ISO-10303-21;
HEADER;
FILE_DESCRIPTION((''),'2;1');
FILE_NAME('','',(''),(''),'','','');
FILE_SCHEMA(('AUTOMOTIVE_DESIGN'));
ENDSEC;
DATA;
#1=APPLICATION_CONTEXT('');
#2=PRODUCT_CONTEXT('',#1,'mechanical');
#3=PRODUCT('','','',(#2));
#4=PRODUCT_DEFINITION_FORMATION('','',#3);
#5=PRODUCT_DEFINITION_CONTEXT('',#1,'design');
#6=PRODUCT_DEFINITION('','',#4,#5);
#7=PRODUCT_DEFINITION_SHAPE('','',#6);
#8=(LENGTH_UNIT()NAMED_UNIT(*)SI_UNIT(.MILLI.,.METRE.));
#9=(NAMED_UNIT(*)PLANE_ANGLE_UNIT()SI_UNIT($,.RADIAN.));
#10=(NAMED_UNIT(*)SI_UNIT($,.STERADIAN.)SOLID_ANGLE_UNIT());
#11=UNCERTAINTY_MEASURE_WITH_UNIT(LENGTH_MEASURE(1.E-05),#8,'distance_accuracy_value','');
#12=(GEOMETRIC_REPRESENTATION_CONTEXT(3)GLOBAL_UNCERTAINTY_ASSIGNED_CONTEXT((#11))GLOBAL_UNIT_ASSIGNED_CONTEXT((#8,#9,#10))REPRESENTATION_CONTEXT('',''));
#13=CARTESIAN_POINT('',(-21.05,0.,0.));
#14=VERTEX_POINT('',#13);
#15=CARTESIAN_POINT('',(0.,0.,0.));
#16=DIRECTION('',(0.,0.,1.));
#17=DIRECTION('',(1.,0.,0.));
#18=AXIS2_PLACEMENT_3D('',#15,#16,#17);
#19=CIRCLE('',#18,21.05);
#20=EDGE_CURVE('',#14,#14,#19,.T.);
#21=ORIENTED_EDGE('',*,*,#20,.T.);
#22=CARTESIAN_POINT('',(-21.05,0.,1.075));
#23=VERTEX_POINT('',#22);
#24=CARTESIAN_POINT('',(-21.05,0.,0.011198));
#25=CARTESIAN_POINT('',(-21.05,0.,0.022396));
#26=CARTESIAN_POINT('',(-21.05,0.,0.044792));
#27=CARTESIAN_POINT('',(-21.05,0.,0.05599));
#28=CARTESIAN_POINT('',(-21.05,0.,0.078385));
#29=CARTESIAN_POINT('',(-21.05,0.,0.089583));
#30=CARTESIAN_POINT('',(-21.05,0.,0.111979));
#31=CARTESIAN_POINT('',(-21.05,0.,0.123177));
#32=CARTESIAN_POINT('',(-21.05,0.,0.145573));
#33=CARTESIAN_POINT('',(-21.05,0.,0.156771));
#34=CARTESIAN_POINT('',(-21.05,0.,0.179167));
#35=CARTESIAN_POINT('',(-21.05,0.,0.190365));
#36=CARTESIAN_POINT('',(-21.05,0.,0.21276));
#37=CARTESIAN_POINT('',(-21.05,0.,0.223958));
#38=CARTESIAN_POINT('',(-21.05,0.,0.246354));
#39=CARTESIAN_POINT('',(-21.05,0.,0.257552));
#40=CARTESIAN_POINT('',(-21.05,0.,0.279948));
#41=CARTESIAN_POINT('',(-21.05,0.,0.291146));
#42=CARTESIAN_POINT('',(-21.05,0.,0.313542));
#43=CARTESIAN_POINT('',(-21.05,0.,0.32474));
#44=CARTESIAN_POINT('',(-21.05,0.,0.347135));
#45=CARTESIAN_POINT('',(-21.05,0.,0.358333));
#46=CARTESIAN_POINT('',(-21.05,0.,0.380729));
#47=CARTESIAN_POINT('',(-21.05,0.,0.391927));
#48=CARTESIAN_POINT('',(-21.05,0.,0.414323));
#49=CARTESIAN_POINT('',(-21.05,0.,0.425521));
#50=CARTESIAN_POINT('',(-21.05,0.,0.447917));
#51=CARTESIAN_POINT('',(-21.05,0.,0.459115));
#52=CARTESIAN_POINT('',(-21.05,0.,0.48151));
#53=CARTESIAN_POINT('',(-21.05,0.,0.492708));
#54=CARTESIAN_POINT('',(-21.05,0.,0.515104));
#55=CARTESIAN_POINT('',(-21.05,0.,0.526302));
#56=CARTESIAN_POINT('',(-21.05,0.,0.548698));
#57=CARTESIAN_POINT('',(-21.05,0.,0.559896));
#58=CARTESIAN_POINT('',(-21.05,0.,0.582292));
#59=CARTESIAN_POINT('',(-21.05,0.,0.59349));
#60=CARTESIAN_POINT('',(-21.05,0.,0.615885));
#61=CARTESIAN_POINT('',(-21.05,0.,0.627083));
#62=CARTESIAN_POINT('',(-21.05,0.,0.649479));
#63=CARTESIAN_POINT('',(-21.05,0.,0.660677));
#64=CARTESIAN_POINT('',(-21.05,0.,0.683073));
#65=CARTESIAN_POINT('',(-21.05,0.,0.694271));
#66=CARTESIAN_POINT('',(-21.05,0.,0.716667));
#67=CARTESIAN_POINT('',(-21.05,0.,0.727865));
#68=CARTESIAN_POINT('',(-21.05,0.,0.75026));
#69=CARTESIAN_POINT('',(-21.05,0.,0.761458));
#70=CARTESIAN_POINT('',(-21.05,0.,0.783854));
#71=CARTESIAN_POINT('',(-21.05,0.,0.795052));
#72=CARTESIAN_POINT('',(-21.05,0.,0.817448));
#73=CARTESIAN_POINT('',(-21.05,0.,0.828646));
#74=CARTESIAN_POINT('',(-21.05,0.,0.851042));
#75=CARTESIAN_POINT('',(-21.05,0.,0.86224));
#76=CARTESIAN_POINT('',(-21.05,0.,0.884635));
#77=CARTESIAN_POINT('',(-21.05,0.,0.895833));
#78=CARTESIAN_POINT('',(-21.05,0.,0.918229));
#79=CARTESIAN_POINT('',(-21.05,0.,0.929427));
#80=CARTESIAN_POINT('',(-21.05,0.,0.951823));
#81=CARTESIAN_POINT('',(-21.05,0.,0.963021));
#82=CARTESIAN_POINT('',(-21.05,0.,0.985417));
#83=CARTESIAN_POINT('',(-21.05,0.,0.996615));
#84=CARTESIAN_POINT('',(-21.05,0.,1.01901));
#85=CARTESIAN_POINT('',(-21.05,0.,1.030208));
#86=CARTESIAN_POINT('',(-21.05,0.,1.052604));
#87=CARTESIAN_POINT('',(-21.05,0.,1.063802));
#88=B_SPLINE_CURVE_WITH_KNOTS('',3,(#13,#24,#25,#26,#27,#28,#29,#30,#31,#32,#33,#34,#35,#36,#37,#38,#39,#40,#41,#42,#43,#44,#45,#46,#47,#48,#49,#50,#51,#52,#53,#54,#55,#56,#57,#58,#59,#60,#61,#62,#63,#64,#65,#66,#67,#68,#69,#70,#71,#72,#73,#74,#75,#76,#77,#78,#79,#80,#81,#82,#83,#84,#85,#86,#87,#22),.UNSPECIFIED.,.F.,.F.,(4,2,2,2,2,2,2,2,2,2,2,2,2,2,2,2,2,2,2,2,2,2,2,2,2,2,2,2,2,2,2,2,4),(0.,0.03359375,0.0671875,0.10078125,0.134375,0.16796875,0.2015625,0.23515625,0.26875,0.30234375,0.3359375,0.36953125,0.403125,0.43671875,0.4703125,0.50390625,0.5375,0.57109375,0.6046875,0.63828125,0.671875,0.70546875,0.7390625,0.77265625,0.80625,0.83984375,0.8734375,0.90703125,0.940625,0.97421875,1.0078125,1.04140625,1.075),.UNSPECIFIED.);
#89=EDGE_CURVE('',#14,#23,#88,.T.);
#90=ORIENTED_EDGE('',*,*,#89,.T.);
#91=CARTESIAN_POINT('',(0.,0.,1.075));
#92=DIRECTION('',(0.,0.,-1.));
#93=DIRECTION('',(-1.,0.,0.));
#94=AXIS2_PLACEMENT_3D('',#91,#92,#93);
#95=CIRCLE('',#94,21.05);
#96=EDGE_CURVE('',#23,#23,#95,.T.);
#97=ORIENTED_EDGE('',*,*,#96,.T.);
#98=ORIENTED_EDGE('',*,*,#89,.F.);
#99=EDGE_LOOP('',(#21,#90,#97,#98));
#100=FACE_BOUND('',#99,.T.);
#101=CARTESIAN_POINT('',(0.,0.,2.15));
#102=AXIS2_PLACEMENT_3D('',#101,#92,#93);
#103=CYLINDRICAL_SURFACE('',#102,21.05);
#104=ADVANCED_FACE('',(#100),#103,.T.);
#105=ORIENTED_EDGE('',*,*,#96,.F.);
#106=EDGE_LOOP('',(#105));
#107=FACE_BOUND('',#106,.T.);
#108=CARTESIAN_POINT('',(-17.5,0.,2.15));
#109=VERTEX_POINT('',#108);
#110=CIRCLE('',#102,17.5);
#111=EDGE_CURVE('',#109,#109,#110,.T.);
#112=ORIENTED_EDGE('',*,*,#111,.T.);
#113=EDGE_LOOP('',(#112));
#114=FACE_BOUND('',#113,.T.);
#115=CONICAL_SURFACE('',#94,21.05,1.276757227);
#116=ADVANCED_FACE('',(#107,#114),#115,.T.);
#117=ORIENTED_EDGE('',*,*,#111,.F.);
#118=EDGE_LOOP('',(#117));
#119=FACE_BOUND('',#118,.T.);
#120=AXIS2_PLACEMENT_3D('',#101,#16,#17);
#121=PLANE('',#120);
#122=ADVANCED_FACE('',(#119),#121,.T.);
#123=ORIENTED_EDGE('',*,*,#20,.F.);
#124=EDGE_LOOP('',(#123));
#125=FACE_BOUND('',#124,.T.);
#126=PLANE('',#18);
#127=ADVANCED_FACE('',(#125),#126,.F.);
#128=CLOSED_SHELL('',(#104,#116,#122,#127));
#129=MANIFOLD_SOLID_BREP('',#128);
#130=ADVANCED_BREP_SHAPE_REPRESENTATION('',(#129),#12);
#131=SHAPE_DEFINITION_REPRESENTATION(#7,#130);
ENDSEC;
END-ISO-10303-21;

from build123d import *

# Parameters (mm, degrees)
CONTOUR_R                  = 21.05
BOSS_EXTRU_1_CONTOUR_DEPTH = 2.15


with BuildPart() as part:
    # Contour → Boss.-Extru.1_Contour (new body)
    with BuildSketch(Plane.XY):
        with Locations(Location((0, 0, 0), (0, 0, 180))):
            Circle(CONTOUR_R)
    extrude(amount=BOSS_EXTRU_1_CONTOUR_DEPTH)

    # Chanfrein_Bordure → Enlèvement de matière-Révolution1 (revolve, cut)
    with BuildSketch(Plane(origin=(0, 0, 0), x_dir=(1, 0, 0), z_dir=(0, 1, 0)), mode=Mode.PRIVATE) as enl_vement_de_mati_re_r_volution1_sk:
        Polygon((17.5, -2.15), (21.05, -1.075), (21.05, -2.15), align=None)
    revolve(enl_vement_de_mati_re_r_volution1_sk.sketch.rotate(Axis((0, 0, -0.1075), (0, 0, 1)), 180), axis=Axis((0, 0, -0.1075), (0, 0, 1)), mode=Mode.SUBTRACT)


solid = part.part
